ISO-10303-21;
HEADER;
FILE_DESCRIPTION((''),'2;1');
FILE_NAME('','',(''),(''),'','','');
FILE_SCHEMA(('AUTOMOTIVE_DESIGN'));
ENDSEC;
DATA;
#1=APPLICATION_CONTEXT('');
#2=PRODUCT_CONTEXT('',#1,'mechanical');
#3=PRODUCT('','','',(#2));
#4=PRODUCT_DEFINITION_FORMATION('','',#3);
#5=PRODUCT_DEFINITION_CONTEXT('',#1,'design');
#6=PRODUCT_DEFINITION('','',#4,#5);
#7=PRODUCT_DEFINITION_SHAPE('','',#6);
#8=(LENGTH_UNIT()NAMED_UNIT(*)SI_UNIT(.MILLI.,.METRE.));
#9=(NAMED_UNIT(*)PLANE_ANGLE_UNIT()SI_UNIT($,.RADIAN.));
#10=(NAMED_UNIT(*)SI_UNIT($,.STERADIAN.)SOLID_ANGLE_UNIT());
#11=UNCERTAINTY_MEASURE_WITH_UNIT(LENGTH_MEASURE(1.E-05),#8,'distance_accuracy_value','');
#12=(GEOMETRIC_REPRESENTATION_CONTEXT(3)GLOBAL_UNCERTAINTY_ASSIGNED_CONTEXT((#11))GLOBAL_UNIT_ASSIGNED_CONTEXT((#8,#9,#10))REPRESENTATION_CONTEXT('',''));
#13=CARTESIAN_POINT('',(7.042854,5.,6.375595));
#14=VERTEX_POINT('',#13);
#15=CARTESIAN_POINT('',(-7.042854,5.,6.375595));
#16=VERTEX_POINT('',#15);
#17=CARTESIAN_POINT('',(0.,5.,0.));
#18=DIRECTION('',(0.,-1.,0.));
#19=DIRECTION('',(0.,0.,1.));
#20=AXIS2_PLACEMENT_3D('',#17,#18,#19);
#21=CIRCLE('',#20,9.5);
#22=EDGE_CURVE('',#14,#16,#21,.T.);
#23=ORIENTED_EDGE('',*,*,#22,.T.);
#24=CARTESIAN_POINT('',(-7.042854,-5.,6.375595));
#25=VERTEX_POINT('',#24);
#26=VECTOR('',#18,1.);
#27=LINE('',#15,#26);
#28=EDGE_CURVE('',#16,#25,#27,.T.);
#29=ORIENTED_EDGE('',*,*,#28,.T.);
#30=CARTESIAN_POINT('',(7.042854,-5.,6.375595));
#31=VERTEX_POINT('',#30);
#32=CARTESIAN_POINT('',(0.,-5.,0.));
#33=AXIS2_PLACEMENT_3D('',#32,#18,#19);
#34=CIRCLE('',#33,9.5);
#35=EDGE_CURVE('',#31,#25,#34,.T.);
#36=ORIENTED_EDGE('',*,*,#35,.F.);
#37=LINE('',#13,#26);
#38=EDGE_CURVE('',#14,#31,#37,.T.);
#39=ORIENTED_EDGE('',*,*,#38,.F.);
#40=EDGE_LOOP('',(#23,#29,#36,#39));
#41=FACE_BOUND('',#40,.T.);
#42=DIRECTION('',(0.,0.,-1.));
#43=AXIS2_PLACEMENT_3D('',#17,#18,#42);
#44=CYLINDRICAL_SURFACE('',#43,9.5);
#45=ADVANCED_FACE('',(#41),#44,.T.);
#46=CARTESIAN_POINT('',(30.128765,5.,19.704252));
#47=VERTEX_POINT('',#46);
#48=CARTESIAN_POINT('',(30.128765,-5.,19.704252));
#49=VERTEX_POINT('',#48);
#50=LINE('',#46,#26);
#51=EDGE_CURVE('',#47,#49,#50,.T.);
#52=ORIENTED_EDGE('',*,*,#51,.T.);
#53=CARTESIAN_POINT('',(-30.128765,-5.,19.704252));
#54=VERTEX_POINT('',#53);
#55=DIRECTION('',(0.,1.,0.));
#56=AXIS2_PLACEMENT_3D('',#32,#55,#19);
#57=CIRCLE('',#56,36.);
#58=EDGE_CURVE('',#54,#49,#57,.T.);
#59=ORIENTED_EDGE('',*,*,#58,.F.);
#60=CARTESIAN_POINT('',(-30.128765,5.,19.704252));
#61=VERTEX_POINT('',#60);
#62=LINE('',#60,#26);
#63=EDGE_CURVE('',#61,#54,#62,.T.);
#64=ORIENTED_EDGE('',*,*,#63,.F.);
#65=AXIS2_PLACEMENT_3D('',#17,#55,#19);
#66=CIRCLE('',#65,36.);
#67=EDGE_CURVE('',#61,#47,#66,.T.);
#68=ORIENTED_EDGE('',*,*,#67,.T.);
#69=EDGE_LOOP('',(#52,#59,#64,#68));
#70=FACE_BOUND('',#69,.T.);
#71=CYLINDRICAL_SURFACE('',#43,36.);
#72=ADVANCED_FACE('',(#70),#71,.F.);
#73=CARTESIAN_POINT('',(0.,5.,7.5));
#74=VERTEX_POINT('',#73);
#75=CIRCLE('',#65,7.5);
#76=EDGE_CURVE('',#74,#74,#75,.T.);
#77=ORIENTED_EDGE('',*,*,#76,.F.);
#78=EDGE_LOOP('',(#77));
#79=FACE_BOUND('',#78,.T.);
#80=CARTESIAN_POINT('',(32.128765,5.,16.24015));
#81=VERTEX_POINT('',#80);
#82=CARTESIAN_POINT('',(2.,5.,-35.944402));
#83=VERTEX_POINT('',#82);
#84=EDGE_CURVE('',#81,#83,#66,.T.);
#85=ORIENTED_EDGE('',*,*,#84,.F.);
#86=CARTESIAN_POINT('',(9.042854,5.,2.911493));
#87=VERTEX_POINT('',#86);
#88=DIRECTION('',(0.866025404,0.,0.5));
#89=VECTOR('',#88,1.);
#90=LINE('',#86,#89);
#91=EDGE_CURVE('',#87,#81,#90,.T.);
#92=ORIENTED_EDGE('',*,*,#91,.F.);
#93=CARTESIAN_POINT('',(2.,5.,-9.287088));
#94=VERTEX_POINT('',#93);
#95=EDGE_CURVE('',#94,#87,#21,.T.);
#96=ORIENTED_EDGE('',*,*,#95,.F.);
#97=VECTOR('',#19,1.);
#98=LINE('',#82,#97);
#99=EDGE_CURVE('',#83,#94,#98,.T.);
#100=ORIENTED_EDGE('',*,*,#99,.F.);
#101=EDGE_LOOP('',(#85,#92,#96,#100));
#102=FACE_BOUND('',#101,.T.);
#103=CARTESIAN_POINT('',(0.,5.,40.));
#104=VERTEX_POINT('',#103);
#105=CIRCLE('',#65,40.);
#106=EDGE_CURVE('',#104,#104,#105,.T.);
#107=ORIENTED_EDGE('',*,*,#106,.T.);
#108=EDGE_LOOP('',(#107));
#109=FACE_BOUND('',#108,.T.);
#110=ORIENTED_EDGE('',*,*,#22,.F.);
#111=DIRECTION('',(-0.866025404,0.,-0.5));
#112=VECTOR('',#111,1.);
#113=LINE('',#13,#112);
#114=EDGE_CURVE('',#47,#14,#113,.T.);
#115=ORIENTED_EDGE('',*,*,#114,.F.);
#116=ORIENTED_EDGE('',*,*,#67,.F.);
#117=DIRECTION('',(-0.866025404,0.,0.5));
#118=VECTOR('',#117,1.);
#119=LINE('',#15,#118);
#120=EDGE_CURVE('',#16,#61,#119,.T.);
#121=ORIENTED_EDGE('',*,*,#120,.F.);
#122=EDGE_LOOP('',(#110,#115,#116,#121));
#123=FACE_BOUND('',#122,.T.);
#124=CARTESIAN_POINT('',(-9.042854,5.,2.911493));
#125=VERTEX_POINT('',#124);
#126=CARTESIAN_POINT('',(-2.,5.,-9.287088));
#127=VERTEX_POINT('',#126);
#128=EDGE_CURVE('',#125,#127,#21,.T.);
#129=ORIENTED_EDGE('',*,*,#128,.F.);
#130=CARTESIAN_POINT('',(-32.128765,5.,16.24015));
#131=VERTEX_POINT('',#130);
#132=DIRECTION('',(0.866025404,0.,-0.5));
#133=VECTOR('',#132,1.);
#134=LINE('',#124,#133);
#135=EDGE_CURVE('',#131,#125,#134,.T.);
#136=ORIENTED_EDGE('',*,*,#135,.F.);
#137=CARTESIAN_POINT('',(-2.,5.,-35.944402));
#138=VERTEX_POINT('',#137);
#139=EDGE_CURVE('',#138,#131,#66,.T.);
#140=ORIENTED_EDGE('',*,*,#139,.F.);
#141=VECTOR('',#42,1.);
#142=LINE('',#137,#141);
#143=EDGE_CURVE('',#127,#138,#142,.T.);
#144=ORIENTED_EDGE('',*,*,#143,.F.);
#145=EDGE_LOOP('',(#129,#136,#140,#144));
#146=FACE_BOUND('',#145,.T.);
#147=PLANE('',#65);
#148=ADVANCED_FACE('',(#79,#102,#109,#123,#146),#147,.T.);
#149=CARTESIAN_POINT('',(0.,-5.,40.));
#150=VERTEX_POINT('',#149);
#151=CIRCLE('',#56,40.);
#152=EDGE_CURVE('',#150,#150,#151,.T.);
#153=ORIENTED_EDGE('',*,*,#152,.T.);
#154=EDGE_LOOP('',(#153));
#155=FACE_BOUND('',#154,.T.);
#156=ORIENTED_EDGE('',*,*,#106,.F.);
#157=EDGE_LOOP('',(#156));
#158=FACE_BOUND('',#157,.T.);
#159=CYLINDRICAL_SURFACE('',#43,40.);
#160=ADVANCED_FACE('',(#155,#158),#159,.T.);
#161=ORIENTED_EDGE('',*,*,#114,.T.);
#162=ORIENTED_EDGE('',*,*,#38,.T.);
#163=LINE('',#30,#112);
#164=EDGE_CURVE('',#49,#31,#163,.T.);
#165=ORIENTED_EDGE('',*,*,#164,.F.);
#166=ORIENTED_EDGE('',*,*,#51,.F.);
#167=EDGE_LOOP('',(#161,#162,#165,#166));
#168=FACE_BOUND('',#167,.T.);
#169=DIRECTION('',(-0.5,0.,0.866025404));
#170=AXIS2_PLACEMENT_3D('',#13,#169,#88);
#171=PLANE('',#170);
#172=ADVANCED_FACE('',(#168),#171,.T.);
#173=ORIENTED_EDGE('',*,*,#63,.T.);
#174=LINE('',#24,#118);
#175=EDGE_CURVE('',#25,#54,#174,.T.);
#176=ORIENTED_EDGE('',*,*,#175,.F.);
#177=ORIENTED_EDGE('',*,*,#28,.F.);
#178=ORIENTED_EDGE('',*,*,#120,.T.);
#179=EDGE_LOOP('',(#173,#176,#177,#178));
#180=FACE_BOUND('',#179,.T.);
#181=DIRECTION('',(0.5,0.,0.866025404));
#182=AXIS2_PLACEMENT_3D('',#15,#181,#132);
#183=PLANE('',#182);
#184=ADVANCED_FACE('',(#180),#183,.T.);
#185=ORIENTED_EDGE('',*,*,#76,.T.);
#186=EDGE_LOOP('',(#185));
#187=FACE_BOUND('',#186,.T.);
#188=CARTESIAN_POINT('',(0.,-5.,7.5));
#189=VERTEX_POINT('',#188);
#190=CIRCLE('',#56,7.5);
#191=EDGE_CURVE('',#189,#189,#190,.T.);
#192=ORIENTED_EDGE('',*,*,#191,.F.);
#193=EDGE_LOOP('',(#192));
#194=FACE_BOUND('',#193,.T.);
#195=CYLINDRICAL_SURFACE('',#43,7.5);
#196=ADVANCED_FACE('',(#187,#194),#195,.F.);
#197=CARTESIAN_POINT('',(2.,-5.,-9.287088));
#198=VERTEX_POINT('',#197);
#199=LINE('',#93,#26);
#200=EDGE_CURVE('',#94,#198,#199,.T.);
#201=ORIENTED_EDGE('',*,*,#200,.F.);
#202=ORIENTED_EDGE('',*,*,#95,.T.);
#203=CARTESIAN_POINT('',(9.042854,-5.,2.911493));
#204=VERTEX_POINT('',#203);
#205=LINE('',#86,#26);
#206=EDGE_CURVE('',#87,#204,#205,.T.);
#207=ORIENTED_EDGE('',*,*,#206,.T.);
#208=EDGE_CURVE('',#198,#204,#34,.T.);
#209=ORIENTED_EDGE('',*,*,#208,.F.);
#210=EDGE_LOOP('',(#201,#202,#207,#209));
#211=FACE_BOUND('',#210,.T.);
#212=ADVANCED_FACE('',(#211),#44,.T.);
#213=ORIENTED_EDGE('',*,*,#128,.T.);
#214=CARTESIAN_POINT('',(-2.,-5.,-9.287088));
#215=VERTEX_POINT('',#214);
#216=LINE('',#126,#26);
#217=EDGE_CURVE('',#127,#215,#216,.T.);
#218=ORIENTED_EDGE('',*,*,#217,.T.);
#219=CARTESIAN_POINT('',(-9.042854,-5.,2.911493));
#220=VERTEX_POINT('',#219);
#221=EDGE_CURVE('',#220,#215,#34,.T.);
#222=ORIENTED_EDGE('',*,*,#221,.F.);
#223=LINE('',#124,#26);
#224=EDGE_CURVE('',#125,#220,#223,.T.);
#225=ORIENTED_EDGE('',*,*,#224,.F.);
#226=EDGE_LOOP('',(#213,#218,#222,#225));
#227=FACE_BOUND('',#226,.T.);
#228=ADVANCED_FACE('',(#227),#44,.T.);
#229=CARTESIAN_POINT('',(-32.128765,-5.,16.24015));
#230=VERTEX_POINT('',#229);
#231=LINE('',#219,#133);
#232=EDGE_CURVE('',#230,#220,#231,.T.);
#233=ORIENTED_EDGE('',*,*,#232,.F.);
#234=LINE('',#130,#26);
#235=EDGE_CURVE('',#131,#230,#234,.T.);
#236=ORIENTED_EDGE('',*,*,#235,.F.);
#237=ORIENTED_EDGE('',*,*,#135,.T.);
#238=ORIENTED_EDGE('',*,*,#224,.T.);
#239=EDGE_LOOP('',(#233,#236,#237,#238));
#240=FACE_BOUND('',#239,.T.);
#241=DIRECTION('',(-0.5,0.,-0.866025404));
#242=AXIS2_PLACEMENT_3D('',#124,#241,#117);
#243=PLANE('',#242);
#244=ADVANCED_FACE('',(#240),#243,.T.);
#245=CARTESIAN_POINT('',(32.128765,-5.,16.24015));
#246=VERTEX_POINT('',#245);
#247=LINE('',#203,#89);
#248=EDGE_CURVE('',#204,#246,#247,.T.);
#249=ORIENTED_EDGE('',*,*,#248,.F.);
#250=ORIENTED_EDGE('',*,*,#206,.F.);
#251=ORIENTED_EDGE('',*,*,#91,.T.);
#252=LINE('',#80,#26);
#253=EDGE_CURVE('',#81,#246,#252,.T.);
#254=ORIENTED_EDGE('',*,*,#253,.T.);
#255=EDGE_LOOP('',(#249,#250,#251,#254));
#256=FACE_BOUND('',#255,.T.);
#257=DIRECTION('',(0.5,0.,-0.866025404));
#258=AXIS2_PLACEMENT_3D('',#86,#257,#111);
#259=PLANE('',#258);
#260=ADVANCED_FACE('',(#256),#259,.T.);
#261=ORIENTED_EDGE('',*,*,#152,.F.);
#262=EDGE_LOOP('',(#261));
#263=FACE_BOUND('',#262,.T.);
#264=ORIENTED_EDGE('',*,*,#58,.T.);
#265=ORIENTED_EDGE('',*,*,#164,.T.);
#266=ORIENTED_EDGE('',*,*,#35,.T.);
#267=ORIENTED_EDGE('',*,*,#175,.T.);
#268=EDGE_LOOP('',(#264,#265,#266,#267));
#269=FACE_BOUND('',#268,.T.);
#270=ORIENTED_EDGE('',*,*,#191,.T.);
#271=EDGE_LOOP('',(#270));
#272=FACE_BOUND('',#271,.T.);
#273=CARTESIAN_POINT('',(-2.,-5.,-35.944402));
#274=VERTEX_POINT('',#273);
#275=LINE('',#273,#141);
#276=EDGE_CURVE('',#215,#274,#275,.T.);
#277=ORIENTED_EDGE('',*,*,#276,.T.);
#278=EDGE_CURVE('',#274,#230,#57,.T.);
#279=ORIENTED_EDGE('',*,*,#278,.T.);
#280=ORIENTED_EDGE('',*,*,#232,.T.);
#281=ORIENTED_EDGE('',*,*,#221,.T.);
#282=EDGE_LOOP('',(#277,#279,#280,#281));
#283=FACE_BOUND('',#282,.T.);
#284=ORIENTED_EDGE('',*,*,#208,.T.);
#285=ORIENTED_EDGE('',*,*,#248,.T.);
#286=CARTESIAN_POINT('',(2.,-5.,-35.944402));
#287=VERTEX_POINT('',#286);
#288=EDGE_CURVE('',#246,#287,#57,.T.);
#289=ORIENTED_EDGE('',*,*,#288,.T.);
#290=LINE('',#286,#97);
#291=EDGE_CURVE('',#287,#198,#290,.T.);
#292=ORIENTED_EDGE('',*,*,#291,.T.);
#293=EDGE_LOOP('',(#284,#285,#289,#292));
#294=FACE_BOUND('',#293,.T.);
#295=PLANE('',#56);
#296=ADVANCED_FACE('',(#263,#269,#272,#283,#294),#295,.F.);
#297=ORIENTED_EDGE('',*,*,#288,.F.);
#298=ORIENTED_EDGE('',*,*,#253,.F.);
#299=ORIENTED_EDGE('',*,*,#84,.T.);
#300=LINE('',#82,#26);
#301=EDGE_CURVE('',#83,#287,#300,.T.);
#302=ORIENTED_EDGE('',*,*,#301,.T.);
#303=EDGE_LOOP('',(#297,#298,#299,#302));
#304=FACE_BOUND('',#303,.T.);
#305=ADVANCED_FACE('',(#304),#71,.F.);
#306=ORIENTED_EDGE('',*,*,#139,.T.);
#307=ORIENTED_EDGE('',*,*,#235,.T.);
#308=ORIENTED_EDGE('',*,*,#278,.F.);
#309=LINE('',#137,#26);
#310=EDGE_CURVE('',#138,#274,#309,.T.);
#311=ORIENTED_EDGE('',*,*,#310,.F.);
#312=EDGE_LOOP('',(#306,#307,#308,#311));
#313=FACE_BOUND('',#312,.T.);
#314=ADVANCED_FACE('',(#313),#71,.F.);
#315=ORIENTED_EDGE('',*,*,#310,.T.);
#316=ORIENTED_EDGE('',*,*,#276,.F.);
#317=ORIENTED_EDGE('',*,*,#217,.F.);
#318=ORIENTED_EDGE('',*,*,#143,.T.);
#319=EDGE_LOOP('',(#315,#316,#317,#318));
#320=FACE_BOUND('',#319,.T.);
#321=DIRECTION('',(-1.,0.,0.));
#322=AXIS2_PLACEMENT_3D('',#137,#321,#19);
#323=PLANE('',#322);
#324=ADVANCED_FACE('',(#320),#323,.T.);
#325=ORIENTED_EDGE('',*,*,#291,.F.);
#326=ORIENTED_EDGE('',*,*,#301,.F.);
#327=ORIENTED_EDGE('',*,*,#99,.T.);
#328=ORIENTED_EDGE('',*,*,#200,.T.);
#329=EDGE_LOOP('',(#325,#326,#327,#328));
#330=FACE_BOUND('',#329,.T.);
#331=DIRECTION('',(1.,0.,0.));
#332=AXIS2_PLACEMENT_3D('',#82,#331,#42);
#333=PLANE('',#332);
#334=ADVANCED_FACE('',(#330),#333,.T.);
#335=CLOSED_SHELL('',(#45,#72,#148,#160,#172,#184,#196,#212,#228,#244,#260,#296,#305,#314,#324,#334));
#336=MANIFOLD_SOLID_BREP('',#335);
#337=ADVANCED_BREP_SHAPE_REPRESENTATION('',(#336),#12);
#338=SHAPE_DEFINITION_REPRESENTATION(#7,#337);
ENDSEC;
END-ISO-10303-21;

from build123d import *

# Parameters (mm, degrees)
SKETCH2_R           = 40
SKETCH2_R_2         = 7.5
BOSS_EXTRUDE1_DEPTH = 5


with BuildPart() as part:
    # Sketch2 → Boss-Extrude1 (new, symmetric)
    with BuildSketch(Plane(origin=(0, 0, 0), x_dir=(1, 0, 0), z_dir=(0, 1, 0))):
        with Locations(Location((0, 0, 0), (0, 0, 270))):
            Circle(SKETCH2_R)
        with Locations(Location((0, 0, 0), (0, 0, 270))):
            Circle(SKETCH2_R_2, mode=Mode.SUBTRACT)
        with BuildLine():
            Line((-2, 35.944401511), (-2, 9.287087811))
            ThreePointArc((-2, 9.287087811), (-8.227241336, 4.75), (-9.042853971, -2.911493098))
            Line((-9.042853971, -2.911493098), (-32.128764833, -16.240149948))
            ThreePointArc((-32.128764833, -16.240149948), (-31.176914536, 18), (-2, 35.944401511))
        make_face(mode=Mode.SUBTRACT)
        with BuildLine():
            Line((2, 35.944401511), (2, 9.287087811))
            ThreePointArc((2, 9.287087811), (8.227241336, 4.75), (9.042853971, -2.911493098))
            Line((9.042853971, -2.911493098), (32.128764833, -16.240149948))
            ThreePointArc((32.128764833, -16.240149948), (31.176914536, 18), (2, 35.944401511))
        make_face(mode=Mode.SUBTRACT)
        with BuildLine():
            Line((-7.042853971, -6.375594713), (-30.128764833, -19.704251563))
            ThreePointArc((-30.128764833, -19.704251563), (0, -36), (30.128764833, -19.704251563))
            Line((30.128764833, -19.704251563), (7.042853971, -6.375594713))
            ThreePointArc((7.042853971, -6.375594713), (0, -9.5), (-7.042853971, -6.375594713))
        make_face(mode=Mode.SUBTRACT)
    extrude(amount=BOSS_EXTRUDE1_DEPTH, both=True)


solid = part.part
